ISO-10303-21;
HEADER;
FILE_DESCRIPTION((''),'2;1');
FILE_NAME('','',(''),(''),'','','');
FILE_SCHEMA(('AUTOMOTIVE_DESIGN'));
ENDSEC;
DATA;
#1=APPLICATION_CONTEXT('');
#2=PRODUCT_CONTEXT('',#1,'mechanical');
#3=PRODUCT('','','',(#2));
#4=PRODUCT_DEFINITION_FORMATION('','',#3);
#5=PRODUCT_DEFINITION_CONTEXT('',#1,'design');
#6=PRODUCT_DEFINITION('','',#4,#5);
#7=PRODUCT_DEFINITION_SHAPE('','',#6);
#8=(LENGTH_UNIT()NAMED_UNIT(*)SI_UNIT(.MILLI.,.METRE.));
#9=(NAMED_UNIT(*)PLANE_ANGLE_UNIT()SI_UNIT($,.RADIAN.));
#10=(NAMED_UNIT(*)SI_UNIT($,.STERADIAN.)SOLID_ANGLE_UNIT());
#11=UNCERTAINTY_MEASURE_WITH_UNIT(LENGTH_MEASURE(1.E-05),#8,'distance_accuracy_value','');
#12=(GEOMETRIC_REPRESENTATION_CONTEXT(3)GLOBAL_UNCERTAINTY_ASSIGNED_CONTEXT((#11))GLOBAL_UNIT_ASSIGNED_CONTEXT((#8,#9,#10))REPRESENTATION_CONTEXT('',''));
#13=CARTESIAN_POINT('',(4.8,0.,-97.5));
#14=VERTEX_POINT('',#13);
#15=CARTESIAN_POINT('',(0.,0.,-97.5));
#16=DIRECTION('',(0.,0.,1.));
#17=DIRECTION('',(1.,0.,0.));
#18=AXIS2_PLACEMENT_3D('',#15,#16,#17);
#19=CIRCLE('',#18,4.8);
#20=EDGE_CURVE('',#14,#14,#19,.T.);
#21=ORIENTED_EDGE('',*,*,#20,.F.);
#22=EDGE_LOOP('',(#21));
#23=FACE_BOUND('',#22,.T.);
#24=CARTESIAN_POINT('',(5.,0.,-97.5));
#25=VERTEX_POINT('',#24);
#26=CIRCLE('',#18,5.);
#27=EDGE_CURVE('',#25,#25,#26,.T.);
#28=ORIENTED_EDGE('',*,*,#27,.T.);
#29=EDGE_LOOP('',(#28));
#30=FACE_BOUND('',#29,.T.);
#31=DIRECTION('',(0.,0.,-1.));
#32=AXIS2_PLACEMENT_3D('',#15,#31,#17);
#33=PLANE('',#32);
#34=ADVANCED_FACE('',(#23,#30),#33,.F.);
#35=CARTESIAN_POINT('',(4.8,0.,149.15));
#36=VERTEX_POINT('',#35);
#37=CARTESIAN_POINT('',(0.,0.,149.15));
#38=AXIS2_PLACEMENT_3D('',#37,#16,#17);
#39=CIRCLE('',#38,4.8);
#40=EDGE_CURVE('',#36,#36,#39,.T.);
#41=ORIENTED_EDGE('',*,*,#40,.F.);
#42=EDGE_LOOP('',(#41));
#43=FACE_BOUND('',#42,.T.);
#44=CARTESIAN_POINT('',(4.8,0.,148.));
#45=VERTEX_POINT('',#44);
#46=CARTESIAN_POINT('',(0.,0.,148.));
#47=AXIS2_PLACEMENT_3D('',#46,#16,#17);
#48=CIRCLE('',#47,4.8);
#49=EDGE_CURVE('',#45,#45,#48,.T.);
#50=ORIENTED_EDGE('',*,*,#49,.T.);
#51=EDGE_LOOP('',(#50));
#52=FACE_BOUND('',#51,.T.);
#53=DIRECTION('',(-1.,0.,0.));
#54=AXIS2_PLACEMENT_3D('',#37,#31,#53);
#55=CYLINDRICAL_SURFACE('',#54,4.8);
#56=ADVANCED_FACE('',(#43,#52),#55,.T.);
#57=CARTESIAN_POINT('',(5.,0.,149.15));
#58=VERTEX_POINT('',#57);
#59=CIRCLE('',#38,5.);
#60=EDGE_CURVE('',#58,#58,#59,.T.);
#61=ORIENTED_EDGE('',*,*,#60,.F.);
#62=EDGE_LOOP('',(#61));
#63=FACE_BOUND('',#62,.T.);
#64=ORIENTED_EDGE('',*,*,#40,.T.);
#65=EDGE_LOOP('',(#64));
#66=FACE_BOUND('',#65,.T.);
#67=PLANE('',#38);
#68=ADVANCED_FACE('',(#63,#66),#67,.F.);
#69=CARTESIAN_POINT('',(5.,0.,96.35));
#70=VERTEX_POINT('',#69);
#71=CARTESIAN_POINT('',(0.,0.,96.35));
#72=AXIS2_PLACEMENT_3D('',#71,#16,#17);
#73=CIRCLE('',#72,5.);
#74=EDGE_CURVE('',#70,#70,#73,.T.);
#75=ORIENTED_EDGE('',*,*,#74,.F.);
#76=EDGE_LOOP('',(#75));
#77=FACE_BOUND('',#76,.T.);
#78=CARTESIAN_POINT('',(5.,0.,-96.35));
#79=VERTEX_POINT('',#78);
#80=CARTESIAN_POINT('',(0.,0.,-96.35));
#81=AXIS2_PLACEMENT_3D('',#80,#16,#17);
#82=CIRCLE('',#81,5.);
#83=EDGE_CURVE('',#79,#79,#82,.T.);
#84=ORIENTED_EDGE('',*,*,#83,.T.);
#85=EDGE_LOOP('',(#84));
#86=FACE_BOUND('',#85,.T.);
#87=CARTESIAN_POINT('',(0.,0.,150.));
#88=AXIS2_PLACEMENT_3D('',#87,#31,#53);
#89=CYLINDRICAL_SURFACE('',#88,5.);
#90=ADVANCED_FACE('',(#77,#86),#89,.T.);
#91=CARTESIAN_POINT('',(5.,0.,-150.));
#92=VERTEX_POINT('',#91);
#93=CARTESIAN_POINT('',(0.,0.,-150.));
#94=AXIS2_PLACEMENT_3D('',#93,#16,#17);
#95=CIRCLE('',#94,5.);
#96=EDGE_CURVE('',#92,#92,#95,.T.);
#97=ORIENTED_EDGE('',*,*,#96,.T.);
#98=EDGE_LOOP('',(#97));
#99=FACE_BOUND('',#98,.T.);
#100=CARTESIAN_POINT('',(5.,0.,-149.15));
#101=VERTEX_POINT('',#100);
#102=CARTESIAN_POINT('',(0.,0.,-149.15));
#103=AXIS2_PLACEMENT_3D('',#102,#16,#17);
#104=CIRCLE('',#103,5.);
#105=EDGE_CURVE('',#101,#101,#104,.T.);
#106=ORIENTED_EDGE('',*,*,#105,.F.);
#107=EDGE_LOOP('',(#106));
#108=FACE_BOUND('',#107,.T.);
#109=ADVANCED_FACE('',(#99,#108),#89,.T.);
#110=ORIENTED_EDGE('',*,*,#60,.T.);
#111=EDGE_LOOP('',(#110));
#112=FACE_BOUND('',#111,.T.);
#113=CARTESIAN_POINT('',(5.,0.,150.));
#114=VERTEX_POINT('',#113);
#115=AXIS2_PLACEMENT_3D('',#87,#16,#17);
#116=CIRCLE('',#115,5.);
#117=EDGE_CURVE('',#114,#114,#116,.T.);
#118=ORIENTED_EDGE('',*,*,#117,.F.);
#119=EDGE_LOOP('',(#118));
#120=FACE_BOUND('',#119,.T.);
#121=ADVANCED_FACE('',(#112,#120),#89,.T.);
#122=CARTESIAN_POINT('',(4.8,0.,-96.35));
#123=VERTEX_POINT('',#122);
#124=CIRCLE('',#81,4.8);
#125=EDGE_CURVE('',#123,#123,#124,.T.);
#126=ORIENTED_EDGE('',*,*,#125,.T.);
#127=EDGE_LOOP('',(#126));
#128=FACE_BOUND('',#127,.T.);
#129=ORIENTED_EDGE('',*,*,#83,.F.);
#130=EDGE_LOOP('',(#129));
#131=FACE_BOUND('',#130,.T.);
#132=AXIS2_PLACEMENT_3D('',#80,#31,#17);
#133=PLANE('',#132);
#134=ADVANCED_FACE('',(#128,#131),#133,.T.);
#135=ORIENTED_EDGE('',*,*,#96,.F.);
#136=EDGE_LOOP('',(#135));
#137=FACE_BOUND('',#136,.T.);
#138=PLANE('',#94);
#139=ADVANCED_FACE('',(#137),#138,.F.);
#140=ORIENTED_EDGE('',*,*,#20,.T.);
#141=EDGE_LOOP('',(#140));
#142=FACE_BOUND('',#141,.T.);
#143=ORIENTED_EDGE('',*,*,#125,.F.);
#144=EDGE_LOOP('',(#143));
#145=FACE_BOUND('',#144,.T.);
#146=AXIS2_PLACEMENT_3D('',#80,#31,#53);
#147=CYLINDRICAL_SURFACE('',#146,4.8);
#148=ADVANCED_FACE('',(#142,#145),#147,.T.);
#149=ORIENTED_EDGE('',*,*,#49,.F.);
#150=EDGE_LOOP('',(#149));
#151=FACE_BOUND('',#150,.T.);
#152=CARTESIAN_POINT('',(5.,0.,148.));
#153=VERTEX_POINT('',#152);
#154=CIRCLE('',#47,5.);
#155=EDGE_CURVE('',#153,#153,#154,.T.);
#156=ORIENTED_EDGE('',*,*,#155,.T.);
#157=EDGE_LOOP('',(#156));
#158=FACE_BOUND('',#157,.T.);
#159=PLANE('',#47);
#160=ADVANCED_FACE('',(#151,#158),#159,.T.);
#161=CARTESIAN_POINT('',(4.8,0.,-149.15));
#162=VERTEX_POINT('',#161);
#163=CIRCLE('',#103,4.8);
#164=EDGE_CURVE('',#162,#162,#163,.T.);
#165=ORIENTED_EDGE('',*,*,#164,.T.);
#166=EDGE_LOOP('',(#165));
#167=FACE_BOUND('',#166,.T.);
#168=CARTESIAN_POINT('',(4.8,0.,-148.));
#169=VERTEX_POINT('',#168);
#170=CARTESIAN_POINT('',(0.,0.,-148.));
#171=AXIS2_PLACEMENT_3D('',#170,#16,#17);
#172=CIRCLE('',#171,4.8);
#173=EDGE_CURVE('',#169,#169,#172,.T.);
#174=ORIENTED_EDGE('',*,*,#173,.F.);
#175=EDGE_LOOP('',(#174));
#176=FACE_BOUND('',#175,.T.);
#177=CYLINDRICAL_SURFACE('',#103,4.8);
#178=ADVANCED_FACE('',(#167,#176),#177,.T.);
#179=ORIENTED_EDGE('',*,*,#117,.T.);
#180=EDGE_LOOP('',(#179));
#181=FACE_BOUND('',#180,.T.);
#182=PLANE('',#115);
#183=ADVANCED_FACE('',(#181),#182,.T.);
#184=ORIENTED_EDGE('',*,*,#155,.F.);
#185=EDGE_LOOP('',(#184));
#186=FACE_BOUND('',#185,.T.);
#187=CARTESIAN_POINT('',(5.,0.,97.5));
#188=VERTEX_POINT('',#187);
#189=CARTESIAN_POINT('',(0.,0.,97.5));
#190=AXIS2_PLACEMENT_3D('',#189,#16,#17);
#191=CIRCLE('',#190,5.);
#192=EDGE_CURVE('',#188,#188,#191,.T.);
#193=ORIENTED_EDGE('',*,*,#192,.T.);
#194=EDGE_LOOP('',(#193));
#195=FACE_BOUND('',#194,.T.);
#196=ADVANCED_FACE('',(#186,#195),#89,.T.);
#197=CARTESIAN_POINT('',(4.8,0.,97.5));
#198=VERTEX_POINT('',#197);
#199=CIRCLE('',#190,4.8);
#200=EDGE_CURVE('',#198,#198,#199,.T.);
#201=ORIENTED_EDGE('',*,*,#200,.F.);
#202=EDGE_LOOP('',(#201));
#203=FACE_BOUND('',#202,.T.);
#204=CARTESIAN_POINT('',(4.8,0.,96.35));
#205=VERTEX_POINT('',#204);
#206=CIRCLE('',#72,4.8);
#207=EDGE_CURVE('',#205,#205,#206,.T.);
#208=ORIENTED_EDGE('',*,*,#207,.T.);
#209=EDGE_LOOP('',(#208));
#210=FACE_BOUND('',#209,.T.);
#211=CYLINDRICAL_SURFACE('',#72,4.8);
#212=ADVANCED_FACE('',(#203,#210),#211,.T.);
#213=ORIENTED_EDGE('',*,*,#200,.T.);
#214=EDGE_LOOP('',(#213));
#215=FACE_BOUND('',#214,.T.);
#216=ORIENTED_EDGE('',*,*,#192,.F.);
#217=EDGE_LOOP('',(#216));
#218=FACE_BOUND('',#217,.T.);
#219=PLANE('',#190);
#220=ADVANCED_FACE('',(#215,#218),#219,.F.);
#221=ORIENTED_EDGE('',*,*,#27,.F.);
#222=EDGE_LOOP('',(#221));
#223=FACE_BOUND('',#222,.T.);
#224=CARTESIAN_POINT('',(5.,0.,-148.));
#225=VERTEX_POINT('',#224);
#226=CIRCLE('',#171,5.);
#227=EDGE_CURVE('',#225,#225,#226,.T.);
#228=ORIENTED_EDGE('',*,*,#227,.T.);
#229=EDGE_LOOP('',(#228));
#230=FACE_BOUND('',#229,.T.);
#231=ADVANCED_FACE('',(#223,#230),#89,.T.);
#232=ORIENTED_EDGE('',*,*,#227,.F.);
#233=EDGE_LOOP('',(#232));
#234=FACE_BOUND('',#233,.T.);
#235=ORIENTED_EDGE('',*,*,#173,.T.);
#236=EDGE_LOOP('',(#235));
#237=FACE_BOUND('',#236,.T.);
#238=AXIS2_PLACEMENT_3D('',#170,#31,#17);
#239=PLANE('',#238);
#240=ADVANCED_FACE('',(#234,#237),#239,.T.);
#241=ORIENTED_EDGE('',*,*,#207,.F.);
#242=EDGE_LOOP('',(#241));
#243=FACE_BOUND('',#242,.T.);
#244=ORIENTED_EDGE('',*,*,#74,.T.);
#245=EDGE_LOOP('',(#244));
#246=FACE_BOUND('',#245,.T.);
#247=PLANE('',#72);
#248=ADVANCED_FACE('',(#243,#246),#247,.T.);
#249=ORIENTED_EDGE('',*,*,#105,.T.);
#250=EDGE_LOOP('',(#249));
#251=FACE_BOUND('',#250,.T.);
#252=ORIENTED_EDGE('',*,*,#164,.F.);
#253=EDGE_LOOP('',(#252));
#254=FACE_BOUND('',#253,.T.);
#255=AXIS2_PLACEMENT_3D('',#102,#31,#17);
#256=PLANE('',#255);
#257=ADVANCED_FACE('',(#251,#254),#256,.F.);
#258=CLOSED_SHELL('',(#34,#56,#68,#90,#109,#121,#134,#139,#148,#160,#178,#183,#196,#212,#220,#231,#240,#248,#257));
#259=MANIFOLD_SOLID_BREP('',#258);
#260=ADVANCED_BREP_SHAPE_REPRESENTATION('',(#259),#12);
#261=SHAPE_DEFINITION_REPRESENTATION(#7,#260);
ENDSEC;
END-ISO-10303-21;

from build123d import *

# Parameters (mm, degrees)
SKETCH1_R           = 5
BOSS_EXTRUDE1_DEPTH = 150
SKETCH2_R           = 5
SKETCH2_R_2         = 4.8
CUT_EXTRUDE1_DEPTH  = 1.15
SKETCH3_R           = 5
SKETCH3_R_2         = 4.8
CUT_EXTRUDE2_DEPTH  = 1.15


with BuildPart() as part:
    # Sketch1 → Boss-Extrude1 (new, symmetric)
    with BuildSketch(Plane.XY):
        Circle(SKETCH1_R)
    extrude(amount=BOSS_EXTRUDE1_DEPTH, both=True)

    # Sketch2 → Cut-Extrude1 (cut)
    with BuildSketch(Plane.XY.offset(148)):
        Circle(SKETCH2_R)
        Circle(SKETCH2_R_2, mode=Mode.SUBTRACT)
    cut_extrude1 = extrude(amount=CUT_EXTRUDE1_DEPTH, mode=Mode.SUBTRACT)

    # Sketch3 → Cut-Extrude2 (cut)
    with BuildSketch(Plane.XY.offset(97.5)):
        Circle(SKETCH3_R)
        Circle(SKETCH3_R_2, mode=Mode.SUBTRACT)
    cut_extrude2 = extrude(amount=-CUT_EXTRUDE2_DEPTH, mode=Mode.SUBTRACT)

    # Mirror1: Cut-Extrude1, Cut-Extrude2 across plane
    add(cut_extrude1.mirror(Plane.XY), mode=Mode.SUBTRACT)
    add(cut_extrude2.mirror(Plane.XY), mode=Mode.SUBTRACT)


solid = part.part
